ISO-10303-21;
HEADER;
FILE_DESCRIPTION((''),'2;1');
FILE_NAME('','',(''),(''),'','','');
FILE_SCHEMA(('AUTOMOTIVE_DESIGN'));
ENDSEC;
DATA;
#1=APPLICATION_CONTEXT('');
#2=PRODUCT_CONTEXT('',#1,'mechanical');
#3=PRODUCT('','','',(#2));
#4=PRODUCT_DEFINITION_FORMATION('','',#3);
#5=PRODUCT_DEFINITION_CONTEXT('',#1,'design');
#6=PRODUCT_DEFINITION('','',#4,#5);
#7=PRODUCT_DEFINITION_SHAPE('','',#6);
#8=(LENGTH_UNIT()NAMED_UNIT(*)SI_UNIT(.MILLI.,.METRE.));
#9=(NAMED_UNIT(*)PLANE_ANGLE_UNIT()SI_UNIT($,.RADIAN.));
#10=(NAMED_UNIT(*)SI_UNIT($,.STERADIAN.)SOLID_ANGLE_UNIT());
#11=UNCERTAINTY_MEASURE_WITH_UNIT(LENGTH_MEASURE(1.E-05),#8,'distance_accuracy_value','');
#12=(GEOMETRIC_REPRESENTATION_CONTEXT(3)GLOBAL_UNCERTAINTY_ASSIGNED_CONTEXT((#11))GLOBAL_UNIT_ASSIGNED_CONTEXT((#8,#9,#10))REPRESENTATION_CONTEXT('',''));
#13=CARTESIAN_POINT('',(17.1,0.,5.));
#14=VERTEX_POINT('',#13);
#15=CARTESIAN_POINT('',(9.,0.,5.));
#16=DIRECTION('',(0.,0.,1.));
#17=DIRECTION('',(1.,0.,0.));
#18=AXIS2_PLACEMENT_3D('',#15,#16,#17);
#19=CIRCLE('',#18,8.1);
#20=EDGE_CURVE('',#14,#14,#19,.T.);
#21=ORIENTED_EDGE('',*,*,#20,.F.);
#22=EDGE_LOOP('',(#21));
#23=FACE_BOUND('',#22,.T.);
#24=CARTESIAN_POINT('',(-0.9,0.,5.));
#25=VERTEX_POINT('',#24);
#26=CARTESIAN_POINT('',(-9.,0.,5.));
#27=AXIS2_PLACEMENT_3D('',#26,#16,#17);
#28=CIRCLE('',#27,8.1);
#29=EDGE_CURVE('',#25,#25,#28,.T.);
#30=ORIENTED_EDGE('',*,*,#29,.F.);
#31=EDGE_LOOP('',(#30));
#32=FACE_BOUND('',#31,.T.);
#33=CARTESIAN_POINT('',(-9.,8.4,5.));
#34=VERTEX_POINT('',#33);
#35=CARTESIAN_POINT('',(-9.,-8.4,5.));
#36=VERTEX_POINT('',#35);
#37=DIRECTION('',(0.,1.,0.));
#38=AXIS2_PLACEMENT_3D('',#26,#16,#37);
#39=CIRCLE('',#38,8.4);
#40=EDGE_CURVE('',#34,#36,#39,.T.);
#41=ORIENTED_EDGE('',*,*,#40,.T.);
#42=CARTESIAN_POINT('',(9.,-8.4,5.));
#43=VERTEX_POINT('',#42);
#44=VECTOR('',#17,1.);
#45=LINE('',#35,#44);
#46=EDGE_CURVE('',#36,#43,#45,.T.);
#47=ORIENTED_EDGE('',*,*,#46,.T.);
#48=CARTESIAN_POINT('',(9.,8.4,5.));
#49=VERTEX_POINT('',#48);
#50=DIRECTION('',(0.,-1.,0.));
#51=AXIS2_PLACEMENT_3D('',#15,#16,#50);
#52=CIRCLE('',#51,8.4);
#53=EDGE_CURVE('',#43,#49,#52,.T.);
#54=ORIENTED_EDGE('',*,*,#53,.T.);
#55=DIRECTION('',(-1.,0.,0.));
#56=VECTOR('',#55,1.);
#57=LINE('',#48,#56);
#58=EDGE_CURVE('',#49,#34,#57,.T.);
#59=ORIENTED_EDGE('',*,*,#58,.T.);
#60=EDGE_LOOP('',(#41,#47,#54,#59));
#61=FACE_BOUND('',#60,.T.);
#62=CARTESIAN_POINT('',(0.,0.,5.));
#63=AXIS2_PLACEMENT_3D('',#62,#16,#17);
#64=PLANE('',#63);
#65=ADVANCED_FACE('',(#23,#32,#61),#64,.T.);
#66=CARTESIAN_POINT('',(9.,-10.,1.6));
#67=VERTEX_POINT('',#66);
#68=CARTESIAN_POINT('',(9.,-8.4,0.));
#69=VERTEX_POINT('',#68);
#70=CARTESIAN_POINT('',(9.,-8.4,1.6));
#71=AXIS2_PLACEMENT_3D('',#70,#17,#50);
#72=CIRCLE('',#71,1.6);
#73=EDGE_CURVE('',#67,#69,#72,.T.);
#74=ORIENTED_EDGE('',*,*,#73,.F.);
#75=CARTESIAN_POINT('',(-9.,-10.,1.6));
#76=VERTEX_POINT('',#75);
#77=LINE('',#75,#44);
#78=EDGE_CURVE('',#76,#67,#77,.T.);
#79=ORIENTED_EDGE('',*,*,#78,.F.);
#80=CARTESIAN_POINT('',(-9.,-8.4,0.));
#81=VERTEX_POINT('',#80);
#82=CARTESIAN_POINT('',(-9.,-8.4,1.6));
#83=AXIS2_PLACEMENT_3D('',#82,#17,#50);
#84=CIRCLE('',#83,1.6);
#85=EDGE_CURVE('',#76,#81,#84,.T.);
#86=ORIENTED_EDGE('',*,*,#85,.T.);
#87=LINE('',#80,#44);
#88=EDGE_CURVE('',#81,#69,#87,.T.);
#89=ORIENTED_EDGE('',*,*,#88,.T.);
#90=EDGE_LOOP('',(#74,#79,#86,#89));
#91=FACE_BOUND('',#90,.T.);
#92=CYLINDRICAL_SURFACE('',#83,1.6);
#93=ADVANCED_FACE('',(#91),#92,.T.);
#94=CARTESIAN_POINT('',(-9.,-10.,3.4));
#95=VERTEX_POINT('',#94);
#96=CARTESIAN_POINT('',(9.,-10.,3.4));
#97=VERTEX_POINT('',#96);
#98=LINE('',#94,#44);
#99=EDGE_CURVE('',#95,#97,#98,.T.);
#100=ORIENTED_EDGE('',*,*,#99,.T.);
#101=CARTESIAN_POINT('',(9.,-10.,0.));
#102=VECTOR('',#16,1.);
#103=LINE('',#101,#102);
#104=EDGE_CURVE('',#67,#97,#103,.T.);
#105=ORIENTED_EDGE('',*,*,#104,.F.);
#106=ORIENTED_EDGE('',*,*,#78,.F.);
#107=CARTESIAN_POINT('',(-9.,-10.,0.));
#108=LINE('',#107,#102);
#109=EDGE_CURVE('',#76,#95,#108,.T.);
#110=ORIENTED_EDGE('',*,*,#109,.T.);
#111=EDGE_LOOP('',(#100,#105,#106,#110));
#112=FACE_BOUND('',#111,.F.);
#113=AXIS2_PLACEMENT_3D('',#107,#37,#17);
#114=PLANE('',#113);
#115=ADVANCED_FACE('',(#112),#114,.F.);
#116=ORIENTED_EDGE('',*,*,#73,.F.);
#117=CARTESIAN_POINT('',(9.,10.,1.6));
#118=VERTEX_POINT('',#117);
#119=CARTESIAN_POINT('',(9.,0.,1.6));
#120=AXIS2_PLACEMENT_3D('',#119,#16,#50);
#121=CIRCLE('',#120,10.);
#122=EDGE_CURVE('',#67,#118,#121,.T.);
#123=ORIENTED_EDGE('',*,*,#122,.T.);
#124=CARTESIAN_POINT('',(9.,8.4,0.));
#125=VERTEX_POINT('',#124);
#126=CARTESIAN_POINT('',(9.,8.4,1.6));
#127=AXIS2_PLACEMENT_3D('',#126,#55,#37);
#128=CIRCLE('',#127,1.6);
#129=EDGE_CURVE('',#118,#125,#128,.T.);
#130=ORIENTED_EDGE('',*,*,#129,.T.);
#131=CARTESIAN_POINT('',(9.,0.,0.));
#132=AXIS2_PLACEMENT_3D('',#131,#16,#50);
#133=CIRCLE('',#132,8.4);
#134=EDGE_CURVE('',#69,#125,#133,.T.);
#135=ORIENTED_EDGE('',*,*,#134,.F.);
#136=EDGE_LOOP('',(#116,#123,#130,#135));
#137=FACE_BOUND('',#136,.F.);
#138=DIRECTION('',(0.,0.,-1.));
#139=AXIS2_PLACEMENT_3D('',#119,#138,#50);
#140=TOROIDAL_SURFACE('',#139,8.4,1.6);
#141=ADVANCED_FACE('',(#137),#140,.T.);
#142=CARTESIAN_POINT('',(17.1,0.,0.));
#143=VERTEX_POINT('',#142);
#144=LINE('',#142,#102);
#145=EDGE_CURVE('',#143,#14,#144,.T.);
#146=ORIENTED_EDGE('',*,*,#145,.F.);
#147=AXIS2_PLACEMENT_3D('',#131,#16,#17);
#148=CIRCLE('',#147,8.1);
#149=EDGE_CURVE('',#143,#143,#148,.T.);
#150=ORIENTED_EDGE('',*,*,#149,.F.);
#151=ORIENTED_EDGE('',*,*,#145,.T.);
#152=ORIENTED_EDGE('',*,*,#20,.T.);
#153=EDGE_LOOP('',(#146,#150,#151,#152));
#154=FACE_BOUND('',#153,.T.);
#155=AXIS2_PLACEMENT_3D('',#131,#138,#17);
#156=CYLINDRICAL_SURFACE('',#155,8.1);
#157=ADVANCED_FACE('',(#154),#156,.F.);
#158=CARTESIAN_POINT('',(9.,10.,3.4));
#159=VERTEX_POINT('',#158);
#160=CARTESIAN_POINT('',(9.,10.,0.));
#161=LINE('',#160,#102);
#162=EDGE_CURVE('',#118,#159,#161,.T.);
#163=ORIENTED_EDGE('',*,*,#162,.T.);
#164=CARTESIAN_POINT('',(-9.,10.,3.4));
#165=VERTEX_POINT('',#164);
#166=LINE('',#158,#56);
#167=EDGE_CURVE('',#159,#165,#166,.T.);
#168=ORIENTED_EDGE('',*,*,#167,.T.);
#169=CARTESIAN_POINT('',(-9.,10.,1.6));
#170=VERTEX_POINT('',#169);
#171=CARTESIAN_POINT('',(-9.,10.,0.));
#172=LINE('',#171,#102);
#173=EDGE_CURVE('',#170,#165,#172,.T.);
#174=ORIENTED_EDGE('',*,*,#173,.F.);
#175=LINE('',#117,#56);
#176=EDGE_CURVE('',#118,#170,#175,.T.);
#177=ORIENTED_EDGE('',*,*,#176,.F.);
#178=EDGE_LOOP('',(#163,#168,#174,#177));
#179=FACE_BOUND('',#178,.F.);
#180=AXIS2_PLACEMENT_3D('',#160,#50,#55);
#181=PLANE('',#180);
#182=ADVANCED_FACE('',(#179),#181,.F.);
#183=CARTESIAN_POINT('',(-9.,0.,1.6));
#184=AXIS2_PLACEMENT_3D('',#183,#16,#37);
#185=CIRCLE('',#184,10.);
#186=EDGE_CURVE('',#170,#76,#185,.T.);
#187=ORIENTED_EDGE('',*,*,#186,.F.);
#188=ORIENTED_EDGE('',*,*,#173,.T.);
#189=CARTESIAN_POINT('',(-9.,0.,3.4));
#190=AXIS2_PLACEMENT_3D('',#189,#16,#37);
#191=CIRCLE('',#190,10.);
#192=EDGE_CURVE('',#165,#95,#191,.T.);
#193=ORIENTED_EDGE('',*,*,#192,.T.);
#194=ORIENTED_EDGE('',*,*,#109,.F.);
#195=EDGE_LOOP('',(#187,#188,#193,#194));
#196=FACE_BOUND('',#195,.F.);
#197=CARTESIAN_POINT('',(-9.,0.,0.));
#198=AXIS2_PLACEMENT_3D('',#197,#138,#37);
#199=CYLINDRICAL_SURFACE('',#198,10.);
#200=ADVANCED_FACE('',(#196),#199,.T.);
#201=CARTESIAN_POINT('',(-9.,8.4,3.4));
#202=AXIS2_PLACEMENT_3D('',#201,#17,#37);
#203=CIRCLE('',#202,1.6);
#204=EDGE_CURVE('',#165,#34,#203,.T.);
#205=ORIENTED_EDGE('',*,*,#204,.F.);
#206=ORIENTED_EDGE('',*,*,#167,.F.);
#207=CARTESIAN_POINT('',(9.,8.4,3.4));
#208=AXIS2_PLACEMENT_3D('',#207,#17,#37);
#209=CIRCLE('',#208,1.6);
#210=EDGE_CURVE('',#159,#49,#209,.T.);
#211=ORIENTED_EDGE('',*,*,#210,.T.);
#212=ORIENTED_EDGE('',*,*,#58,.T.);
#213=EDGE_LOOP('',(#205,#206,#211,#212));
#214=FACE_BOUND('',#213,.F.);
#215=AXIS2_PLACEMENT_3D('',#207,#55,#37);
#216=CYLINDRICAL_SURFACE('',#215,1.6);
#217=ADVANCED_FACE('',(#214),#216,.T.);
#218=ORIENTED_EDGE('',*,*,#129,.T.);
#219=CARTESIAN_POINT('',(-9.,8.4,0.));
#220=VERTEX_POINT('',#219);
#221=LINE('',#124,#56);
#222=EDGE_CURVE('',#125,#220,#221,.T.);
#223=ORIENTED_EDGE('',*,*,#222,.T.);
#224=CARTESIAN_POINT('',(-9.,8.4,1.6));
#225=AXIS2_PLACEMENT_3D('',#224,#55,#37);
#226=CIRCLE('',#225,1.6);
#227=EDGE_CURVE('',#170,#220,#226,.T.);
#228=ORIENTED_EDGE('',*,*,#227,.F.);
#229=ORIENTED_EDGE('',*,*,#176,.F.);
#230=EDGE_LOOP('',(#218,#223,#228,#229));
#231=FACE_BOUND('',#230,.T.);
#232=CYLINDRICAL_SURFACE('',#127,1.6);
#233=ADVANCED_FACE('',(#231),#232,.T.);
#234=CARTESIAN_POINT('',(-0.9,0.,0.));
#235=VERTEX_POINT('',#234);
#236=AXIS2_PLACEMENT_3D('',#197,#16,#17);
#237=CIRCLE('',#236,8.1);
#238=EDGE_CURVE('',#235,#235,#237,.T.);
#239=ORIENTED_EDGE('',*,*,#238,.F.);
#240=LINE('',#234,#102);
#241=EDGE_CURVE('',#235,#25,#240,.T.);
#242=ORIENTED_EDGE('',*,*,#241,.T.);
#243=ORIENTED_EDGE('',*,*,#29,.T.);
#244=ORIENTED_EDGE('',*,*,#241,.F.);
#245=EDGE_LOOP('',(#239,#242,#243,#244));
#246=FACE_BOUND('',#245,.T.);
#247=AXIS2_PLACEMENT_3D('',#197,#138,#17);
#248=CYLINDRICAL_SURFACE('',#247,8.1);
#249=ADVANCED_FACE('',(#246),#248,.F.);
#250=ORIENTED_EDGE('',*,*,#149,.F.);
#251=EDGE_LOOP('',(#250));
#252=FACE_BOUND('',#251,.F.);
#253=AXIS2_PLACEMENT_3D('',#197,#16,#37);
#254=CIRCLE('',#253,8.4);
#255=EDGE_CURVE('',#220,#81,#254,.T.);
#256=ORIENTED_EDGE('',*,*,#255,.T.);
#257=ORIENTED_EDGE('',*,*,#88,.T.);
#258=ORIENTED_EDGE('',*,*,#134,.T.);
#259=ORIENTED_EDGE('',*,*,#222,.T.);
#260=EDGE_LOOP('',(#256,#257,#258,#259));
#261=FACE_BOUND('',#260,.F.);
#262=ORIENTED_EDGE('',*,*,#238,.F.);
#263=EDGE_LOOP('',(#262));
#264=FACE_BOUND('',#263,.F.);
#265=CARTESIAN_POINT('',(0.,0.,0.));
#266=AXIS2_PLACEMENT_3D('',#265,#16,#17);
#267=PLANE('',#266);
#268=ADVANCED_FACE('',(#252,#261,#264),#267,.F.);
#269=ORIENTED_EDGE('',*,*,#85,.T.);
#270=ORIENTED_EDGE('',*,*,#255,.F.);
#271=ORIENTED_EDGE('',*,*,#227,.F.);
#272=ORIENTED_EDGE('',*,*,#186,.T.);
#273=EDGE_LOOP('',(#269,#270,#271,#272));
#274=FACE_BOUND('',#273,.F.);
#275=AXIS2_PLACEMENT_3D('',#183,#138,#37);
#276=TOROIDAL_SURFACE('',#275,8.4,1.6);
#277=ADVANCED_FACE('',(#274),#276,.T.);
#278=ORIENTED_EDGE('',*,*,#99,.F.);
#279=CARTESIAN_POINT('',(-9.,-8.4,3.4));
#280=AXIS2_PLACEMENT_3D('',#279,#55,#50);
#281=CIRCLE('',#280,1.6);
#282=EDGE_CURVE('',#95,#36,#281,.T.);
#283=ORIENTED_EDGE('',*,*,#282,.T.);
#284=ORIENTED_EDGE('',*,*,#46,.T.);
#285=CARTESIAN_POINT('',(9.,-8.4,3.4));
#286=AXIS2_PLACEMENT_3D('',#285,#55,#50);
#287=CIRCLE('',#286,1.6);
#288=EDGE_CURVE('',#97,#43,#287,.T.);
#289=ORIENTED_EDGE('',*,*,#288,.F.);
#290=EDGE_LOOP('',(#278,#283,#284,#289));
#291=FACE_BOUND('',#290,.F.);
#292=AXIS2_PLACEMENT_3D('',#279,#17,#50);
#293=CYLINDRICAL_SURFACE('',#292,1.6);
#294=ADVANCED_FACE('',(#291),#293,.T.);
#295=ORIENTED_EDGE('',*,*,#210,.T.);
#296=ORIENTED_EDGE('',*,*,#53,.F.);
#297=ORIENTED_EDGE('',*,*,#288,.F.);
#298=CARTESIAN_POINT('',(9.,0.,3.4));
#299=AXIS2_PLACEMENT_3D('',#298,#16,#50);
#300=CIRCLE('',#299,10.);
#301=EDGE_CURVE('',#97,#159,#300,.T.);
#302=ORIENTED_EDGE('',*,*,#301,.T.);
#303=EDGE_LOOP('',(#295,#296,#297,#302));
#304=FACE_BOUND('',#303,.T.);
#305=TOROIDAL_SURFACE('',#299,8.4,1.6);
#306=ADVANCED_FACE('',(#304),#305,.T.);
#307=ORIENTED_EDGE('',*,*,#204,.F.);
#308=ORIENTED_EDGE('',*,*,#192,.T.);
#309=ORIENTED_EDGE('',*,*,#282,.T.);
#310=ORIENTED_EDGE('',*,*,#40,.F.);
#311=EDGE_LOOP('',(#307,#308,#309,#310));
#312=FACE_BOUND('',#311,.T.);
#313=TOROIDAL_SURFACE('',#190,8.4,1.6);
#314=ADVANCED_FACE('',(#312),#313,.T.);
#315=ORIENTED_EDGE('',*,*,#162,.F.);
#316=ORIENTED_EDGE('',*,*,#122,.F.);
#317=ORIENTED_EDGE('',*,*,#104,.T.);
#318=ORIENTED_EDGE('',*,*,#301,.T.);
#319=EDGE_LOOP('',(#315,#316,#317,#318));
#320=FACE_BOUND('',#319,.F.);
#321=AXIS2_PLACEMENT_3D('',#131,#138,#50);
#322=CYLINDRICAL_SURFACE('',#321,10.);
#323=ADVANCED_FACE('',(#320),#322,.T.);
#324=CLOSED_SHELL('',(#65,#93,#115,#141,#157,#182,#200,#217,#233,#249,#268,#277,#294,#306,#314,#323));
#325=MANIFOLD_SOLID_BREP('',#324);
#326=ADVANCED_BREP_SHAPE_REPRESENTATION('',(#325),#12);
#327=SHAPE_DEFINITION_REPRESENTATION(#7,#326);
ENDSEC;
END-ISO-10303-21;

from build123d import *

# Parameters (mm, degrees)
F0_R     = 8.1
F1_DEPTH = 5
F2_R     = 1.6


with BuildPart() as f1:
    # F0 (on Top) → F1 (new body)
    with BuildSketch(Plane.XY):
        with BuildLine():
            Line((9, 10), (-9, 10))
            ThreePointArc((-9, 10), (-19, 0), (-9, -10))
            Line((-9, -10), (9, -10))
            ThreePointArc((9, -10), (19, 0), (9, 10))
        make_face()
        with Locations((-9, 0)):
            Circle(F0_R, mode=Mode.SUBTRACT)
        with Locations((9, 0)):
            Circle(F0_R, mode=Mode.SUBTRACT)
    extrude(amount=F1_DEPTH)

    # F2
    f2_edges = [f1.edges().sort_by_distance(p)[0] for p in [
        (-9, -10, 2.5),
        (9, -10, 2.5),
        (0, -10, 0),
        (0, -10, 5),
        (9, 10, 2.5),
        (19, 0, 0),
        (19, 0, 5),
    ]]
    fillet(f2_edges, radius=F2_R)


solid = f1.part
